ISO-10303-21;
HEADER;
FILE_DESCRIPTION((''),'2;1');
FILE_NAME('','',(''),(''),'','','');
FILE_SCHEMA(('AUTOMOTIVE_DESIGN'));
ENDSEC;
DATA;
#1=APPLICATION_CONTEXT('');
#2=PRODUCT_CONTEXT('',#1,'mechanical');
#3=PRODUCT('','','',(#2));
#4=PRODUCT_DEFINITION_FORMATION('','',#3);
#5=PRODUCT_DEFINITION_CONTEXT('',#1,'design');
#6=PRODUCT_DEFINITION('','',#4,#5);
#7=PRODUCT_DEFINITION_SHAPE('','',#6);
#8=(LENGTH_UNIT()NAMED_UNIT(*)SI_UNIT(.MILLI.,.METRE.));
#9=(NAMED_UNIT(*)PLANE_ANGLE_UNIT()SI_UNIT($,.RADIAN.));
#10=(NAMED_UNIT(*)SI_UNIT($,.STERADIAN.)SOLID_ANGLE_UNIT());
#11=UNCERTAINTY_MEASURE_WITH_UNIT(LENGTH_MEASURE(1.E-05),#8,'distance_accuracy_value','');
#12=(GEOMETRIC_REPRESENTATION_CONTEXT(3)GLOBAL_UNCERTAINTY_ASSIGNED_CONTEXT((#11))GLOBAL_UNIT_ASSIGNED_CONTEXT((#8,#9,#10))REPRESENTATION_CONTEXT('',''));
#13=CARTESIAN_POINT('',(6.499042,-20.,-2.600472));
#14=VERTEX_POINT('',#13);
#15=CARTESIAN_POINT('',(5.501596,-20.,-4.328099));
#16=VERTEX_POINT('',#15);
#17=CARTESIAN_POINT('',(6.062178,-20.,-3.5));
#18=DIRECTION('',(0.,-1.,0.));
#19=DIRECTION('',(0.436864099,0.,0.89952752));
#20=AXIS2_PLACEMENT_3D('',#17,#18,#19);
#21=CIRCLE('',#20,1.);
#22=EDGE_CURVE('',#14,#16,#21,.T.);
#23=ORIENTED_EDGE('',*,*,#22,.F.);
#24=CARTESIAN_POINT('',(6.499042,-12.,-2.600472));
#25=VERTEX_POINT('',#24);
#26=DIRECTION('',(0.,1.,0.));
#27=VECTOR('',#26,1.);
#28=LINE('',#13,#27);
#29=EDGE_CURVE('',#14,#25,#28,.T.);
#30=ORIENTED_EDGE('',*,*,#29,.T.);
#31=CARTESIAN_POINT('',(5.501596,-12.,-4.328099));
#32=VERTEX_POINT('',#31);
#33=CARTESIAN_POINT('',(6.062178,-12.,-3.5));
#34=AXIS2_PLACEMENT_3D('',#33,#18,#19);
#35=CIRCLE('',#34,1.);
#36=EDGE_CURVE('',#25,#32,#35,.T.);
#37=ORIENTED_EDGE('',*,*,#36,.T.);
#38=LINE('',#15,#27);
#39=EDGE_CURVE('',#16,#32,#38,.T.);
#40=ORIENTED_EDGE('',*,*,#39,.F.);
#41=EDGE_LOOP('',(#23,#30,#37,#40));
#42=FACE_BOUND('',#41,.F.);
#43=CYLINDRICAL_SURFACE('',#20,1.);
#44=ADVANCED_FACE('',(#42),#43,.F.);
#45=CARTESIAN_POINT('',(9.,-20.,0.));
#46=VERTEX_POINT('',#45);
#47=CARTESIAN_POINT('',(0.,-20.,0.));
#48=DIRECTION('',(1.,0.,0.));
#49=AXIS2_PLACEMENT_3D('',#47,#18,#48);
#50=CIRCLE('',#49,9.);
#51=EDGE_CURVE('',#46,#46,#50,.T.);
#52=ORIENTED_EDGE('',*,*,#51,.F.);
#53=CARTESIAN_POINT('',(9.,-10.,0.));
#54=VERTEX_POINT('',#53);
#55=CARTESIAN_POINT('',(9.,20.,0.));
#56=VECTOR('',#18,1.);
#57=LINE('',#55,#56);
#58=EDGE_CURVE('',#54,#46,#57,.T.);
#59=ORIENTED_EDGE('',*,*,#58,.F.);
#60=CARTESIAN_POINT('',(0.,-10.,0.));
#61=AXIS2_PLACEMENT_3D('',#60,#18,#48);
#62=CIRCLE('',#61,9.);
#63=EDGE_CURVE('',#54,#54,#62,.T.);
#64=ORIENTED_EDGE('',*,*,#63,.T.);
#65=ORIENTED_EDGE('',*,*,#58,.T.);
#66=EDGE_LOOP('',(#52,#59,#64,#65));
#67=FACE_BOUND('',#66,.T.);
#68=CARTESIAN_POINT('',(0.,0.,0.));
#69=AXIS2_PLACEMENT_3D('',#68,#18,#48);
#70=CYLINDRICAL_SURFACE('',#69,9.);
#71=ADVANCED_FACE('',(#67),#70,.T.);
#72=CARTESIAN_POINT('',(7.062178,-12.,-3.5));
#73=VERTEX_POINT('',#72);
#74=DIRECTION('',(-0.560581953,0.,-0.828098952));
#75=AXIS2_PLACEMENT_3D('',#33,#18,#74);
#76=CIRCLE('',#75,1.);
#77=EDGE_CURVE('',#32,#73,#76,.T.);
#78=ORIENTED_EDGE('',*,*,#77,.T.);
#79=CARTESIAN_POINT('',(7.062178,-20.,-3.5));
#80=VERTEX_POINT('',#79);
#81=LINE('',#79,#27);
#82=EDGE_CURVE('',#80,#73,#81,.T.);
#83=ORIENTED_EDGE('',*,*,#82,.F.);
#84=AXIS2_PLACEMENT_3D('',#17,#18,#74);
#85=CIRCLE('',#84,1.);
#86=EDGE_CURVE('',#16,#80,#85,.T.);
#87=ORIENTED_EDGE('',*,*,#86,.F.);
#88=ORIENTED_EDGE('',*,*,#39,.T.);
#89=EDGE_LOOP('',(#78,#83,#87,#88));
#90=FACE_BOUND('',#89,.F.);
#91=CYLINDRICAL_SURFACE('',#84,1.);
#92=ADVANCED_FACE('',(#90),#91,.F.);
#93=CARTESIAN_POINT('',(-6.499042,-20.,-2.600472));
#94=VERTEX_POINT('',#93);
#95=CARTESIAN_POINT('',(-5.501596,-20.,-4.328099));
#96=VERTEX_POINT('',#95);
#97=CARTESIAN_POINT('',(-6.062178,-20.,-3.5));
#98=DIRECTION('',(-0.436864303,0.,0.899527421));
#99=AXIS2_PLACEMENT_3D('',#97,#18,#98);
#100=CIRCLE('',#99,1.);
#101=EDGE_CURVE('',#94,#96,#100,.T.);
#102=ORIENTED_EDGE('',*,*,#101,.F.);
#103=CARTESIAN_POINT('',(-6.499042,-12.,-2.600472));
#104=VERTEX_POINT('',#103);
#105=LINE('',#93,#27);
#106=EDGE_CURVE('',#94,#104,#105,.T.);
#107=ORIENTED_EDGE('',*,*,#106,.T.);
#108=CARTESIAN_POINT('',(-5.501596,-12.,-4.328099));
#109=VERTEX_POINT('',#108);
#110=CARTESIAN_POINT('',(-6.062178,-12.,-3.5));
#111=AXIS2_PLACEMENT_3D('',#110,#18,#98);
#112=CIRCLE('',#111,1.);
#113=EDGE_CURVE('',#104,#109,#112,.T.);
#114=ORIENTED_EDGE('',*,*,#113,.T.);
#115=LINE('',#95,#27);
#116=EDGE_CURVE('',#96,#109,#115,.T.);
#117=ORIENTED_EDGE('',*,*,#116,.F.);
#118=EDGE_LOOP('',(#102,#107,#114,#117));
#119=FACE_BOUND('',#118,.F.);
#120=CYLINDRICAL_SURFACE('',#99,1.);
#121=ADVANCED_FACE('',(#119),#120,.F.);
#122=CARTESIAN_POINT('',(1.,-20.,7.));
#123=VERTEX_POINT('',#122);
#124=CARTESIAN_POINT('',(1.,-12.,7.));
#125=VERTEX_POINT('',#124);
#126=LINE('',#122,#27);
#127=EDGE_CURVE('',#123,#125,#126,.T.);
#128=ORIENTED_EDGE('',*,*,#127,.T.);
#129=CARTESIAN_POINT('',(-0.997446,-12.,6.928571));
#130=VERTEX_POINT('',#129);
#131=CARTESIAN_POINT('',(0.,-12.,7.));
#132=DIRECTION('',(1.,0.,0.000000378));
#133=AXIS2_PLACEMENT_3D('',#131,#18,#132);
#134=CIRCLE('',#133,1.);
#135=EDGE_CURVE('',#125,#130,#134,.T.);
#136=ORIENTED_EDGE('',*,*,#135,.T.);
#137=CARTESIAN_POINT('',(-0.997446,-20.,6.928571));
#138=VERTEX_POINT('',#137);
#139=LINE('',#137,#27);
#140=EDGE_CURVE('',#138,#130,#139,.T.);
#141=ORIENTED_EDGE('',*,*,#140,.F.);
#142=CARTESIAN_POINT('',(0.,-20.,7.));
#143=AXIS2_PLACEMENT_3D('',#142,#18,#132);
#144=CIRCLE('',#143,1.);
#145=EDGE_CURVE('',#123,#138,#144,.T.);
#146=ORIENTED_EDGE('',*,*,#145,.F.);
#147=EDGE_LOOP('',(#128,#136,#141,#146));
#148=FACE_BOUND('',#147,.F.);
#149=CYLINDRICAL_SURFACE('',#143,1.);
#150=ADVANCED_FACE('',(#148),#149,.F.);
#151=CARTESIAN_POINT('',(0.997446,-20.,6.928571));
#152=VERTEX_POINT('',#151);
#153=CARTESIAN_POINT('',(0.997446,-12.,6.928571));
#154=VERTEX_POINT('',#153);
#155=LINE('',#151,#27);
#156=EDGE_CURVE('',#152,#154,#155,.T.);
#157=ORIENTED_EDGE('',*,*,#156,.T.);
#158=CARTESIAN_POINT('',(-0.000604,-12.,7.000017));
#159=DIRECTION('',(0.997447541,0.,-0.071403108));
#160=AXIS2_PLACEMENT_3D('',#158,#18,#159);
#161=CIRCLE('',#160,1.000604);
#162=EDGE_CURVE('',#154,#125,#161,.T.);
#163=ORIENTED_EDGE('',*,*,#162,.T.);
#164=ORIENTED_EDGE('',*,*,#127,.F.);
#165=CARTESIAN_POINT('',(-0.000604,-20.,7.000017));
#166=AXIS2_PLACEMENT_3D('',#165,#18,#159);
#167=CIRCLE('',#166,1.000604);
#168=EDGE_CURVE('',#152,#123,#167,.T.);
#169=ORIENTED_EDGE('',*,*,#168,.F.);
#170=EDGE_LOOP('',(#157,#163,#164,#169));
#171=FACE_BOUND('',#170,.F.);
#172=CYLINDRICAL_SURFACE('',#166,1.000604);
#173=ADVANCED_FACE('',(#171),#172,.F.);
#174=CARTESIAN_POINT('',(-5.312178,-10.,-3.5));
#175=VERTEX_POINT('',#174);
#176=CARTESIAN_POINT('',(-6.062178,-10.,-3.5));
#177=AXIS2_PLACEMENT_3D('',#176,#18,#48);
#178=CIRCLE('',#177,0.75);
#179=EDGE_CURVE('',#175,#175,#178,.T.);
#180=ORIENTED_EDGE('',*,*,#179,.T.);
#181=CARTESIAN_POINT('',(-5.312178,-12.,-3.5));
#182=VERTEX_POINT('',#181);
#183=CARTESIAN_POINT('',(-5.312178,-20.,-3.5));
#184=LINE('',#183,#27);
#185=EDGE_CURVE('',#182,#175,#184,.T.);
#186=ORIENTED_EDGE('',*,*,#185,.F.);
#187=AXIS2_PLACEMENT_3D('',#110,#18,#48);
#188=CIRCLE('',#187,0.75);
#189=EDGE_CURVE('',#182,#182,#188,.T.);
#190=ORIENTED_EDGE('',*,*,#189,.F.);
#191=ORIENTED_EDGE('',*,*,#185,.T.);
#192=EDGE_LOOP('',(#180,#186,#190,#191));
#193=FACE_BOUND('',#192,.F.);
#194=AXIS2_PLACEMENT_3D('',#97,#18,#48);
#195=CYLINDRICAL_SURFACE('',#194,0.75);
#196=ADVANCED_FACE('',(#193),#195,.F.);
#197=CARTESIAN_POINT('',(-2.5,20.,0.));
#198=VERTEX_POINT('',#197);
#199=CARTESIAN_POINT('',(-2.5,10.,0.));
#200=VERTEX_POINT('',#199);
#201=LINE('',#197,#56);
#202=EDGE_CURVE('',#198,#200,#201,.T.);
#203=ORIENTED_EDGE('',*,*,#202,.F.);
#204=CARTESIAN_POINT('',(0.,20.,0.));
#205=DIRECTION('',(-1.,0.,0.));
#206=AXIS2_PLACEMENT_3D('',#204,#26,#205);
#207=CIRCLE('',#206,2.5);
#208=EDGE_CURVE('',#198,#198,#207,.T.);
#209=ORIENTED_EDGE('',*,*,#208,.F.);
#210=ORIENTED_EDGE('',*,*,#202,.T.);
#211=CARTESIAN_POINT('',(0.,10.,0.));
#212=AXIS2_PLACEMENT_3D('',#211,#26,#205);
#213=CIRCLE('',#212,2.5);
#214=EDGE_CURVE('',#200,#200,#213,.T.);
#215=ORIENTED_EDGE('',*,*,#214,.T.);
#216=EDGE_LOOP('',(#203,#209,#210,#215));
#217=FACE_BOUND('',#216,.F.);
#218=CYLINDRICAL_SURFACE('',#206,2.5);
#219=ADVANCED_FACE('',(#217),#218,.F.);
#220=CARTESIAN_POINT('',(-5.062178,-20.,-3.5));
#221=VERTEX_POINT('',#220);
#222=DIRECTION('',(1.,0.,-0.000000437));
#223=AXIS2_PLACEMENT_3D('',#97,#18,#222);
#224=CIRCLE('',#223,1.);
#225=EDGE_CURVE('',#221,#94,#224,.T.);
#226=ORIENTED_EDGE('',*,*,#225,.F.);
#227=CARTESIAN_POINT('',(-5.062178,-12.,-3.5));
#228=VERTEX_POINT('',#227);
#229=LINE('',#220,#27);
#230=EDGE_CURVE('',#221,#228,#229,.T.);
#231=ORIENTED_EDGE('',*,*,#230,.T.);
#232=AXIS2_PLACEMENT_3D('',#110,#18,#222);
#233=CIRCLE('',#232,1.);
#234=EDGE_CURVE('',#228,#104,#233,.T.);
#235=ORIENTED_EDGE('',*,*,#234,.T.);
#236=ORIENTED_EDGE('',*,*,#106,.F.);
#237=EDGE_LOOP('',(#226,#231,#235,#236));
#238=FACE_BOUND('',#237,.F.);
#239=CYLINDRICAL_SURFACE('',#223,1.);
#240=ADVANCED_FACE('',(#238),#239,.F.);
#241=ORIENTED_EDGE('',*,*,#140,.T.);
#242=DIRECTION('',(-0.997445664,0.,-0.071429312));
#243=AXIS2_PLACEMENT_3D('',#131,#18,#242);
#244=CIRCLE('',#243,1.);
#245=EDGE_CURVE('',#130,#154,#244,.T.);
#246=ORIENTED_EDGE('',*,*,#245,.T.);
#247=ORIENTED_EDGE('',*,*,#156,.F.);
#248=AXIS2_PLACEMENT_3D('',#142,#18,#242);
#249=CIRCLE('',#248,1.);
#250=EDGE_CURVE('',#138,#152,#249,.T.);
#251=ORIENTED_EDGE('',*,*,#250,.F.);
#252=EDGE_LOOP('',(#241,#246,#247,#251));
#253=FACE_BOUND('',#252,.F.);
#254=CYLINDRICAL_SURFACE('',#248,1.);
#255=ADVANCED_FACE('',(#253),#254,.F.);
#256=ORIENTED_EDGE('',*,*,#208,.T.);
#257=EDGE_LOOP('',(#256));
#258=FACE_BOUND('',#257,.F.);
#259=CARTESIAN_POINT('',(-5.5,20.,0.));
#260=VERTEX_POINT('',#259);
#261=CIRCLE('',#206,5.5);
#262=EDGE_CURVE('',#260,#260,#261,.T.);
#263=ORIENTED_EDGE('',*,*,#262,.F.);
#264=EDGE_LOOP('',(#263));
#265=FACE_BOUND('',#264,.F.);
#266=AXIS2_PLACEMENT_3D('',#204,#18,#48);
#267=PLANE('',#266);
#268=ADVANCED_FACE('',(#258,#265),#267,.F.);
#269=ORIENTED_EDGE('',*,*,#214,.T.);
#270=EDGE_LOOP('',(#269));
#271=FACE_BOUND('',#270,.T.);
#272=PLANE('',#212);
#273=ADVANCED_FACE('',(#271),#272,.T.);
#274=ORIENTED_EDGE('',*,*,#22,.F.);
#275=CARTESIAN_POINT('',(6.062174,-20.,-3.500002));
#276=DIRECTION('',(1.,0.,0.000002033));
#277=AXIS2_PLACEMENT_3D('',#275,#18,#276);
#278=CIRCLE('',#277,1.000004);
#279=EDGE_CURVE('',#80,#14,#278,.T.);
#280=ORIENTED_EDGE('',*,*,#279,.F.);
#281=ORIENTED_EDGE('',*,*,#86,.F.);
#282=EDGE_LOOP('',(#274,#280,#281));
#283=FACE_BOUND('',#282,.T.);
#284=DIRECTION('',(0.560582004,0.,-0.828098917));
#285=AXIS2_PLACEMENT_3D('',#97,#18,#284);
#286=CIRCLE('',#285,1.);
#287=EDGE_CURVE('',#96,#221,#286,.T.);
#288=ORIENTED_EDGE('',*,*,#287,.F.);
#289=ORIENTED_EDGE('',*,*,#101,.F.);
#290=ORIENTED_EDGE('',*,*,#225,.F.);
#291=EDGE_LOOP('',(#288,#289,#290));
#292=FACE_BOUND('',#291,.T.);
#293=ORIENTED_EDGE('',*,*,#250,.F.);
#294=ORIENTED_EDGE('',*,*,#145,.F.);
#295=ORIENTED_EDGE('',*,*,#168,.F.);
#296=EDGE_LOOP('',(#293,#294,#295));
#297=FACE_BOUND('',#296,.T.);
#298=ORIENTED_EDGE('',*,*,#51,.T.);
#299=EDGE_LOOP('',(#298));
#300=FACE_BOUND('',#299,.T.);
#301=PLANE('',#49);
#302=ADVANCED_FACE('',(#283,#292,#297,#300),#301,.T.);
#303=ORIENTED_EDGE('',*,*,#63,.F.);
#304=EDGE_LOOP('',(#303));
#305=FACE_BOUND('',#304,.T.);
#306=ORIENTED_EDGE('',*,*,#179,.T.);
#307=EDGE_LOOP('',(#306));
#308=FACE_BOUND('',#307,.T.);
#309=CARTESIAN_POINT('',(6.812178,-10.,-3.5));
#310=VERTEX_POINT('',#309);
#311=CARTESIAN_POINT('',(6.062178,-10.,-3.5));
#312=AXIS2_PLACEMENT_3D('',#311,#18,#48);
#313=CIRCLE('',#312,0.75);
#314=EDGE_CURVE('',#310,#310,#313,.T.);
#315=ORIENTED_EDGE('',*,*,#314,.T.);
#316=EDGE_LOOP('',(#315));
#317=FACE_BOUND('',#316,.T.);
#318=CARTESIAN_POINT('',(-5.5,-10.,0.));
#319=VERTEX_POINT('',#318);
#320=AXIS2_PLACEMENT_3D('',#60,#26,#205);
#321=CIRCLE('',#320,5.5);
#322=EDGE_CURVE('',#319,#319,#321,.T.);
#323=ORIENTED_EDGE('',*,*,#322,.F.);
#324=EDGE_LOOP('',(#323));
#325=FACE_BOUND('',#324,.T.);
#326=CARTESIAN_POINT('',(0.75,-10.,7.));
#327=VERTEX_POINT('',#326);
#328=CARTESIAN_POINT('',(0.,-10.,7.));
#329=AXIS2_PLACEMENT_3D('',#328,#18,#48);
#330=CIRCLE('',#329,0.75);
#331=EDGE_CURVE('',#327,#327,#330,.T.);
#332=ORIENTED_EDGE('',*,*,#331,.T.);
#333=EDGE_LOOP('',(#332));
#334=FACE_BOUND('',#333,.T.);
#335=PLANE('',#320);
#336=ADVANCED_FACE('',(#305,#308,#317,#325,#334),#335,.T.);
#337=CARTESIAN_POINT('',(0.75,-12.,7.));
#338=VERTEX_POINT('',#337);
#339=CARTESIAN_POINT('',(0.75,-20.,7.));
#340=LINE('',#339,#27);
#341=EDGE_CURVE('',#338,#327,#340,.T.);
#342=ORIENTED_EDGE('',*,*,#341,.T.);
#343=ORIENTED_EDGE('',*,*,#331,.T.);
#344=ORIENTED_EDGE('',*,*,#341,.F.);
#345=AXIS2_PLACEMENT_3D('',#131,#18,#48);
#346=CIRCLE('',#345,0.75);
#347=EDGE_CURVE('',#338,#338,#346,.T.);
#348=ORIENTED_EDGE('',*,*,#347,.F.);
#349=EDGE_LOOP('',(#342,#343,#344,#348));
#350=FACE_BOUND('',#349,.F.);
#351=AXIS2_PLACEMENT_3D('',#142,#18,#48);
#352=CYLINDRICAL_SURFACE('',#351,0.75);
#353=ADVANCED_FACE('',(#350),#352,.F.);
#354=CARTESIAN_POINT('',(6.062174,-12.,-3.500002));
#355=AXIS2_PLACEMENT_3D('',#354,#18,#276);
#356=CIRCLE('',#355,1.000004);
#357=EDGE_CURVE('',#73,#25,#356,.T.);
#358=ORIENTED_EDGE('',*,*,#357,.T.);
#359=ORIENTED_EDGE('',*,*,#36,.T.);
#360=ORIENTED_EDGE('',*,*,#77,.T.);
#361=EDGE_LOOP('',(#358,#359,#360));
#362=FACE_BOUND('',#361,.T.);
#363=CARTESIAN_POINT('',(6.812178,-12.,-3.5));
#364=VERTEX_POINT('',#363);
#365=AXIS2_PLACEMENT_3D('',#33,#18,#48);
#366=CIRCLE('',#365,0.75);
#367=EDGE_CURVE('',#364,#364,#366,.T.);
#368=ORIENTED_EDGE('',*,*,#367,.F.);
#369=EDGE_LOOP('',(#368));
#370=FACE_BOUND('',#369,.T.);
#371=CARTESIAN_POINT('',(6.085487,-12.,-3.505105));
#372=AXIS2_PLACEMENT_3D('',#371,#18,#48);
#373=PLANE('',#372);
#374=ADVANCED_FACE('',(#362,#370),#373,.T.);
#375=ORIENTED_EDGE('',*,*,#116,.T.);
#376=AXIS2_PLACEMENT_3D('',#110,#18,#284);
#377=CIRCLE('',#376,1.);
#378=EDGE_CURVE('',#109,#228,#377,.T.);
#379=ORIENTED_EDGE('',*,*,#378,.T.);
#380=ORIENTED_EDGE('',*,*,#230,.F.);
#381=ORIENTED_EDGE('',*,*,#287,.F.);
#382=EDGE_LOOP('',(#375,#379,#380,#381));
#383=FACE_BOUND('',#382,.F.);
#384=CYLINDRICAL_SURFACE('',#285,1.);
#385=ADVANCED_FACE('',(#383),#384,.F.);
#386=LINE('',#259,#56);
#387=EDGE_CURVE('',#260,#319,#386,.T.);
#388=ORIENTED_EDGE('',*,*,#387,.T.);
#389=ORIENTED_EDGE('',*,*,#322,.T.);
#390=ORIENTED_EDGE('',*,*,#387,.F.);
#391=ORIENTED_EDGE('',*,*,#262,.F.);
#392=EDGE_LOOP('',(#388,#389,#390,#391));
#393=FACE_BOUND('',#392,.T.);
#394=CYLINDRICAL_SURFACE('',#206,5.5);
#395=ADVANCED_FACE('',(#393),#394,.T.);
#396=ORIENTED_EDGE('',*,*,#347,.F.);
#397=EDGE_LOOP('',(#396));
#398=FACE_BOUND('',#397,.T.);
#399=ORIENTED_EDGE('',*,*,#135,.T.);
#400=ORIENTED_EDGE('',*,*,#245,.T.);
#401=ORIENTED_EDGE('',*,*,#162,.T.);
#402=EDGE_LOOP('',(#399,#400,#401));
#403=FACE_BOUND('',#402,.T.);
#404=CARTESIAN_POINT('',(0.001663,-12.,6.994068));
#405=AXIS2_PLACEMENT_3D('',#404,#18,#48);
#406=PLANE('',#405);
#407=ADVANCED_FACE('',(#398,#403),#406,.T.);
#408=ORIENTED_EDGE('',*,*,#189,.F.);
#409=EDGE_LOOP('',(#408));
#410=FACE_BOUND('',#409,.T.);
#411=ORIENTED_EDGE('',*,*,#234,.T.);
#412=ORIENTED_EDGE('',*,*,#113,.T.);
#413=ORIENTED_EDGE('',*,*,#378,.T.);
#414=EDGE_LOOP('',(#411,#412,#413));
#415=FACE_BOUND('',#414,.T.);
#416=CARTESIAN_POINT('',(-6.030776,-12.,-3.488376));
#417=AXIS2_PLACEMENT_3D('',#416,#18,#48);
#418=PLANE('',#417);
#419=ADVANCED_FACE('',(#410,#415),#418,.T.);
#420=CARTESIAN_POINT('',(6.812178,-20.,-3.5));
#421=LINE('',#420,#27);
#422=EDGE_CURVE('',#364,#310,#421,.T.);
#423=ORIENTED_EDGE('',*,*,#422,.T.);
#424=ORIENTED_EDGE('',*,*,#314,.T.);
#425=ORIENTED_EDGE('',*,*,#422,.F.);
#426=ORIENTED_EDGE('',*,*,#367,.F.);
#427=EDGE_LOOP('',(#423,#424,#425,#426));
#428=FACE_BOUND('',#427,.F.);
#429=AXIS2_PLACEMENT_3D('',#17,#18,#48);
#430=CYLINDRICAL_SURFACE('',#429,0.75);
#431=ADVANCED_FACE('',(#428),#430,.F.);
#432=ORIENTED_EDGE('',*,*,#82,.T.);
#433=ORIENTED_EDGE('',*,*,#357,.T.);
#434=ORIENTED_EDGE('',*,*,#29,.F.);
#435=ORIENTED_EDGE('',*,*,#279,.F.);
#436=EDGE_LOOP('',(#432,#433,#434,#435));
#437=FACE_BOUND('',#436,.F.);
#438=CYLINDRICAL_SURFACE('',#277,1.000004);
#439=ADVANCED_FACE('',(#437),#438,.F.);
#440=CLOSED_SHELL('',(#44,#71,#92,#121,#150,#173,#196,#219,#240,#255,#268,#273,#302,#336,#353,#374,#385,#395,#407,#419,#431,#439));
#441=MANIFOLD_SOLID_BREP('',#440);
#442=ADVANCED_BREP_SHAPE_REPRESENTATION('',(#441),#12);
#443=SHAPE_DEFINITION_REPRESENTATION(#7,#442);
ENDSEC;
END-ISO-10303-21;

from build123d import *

# Parameters (mm, degrees)
F0_R     = 9
F1_DEPTH = 20
F2_R     = 0.75
F3_DEPTH = 8
F4_R     = 9
F4_R_2   = 5.5
F5_DEPTH = 30
F6_DEPTH = 10
F7_R     = 2.5
F8_DEPTH = 10


with BuildPart() as f1:
    # F0 (on Front) → F1 (new body, symmetric)
    with BuildSketch(Plane.XZ):
        Circle(F0_R)
    extrude(amount=F1_DEPTH, both=True)

    # F2 (on face) → F3 (cut)
    with BuildSketch(Plane.XZ.offset(20)):
        with BuildLine():
            ThreePointArc((1, 7), (-0.035737, 7.999361), (-0.997446, 6.928571))
            ThreePointArc((-0.997446, 6.928571), (0, 6), (0.997446, 6.928571))
            ThreePointArc((0.997446, 6.928571), (0.999361, 6.964263), (1, 7))
        make_face()
        with Locations((0, 7)):
            Circle(F2_R, mode=Mode.SUBTRACT)
        with BuildLine():
            ThreePointArc((-5.062178, -3.5), (-5.531548, -2.652396), (-6.499042, -2.600472))
            ThreePointArc((-6.499042, -2.600472), (-6.928203, -4), (-5.501596, -4.328099))
            ThreePointArc((-5.501596, -4.328099), (-5.178837, -3.968731), (-5.062178, -3.5))
        make_face()
        with Locations((-6.062178, -3.5)):
            Circle(F2_R, mode=Mode.SUBTRACT)
        with BuildLine():
            ThreePointArc((7.062178, -3.5), (6.909781, -2.96937), (6.499042, -2.600472))
            ThreePointArc((6.499042, -2.600472), (5.196152, -3), (5.501596, -4.328099))
            ThreePointArc((5.501596, -4.328099), (6.530909, -4.383341), (7.062178, -3.5))
        make_face()
        with Locations((6.062178, -3.5)):
            Circle(F2_R, mode=Mode.SUBTRACT)
    extrude(amount=-F3_DEPTH, mode=Mode.SUBTRACT)

    # F4 (on face) → F5 (cut)
    with BuildSketch(Plane(origin=(0, 20, 0), x_dir=(-1, 0, 0), z_dir=(0, 1, 0))):
        Circle(F4_R)
        Circle(F4_R_2, mode=Mode.SUBTRACT)
    extrude(amount=-F5_DEPTH, mode=Mode.SUBTRACT)

    # F2 (on face) → F6 (cut)
    with BuildSketch(Plane.XZ.offset(20)):
        with Locations((-6.062178, -3.5)):
            Circle(F2_R)
        with Locations((0, 7)):
            Circle(F2_R)
        with Locations((6.062178, -3.5)):
            Circle(F2_R)
    extrude(amount=-F6_DEPTH, mode=Mode.SUBTRACT)

    # F7 (on face) → F8 (cut)
    with BuildSketch(Plane(origin=(0, 20, 0), x_dir=(-1, 0, 0), z_dir=(0, 1, 0))):
        Circle(F7_R)
    extrude(amount=-F8_DEPTH, mode=Mode.SUBTRACT)


solid = f1.part
